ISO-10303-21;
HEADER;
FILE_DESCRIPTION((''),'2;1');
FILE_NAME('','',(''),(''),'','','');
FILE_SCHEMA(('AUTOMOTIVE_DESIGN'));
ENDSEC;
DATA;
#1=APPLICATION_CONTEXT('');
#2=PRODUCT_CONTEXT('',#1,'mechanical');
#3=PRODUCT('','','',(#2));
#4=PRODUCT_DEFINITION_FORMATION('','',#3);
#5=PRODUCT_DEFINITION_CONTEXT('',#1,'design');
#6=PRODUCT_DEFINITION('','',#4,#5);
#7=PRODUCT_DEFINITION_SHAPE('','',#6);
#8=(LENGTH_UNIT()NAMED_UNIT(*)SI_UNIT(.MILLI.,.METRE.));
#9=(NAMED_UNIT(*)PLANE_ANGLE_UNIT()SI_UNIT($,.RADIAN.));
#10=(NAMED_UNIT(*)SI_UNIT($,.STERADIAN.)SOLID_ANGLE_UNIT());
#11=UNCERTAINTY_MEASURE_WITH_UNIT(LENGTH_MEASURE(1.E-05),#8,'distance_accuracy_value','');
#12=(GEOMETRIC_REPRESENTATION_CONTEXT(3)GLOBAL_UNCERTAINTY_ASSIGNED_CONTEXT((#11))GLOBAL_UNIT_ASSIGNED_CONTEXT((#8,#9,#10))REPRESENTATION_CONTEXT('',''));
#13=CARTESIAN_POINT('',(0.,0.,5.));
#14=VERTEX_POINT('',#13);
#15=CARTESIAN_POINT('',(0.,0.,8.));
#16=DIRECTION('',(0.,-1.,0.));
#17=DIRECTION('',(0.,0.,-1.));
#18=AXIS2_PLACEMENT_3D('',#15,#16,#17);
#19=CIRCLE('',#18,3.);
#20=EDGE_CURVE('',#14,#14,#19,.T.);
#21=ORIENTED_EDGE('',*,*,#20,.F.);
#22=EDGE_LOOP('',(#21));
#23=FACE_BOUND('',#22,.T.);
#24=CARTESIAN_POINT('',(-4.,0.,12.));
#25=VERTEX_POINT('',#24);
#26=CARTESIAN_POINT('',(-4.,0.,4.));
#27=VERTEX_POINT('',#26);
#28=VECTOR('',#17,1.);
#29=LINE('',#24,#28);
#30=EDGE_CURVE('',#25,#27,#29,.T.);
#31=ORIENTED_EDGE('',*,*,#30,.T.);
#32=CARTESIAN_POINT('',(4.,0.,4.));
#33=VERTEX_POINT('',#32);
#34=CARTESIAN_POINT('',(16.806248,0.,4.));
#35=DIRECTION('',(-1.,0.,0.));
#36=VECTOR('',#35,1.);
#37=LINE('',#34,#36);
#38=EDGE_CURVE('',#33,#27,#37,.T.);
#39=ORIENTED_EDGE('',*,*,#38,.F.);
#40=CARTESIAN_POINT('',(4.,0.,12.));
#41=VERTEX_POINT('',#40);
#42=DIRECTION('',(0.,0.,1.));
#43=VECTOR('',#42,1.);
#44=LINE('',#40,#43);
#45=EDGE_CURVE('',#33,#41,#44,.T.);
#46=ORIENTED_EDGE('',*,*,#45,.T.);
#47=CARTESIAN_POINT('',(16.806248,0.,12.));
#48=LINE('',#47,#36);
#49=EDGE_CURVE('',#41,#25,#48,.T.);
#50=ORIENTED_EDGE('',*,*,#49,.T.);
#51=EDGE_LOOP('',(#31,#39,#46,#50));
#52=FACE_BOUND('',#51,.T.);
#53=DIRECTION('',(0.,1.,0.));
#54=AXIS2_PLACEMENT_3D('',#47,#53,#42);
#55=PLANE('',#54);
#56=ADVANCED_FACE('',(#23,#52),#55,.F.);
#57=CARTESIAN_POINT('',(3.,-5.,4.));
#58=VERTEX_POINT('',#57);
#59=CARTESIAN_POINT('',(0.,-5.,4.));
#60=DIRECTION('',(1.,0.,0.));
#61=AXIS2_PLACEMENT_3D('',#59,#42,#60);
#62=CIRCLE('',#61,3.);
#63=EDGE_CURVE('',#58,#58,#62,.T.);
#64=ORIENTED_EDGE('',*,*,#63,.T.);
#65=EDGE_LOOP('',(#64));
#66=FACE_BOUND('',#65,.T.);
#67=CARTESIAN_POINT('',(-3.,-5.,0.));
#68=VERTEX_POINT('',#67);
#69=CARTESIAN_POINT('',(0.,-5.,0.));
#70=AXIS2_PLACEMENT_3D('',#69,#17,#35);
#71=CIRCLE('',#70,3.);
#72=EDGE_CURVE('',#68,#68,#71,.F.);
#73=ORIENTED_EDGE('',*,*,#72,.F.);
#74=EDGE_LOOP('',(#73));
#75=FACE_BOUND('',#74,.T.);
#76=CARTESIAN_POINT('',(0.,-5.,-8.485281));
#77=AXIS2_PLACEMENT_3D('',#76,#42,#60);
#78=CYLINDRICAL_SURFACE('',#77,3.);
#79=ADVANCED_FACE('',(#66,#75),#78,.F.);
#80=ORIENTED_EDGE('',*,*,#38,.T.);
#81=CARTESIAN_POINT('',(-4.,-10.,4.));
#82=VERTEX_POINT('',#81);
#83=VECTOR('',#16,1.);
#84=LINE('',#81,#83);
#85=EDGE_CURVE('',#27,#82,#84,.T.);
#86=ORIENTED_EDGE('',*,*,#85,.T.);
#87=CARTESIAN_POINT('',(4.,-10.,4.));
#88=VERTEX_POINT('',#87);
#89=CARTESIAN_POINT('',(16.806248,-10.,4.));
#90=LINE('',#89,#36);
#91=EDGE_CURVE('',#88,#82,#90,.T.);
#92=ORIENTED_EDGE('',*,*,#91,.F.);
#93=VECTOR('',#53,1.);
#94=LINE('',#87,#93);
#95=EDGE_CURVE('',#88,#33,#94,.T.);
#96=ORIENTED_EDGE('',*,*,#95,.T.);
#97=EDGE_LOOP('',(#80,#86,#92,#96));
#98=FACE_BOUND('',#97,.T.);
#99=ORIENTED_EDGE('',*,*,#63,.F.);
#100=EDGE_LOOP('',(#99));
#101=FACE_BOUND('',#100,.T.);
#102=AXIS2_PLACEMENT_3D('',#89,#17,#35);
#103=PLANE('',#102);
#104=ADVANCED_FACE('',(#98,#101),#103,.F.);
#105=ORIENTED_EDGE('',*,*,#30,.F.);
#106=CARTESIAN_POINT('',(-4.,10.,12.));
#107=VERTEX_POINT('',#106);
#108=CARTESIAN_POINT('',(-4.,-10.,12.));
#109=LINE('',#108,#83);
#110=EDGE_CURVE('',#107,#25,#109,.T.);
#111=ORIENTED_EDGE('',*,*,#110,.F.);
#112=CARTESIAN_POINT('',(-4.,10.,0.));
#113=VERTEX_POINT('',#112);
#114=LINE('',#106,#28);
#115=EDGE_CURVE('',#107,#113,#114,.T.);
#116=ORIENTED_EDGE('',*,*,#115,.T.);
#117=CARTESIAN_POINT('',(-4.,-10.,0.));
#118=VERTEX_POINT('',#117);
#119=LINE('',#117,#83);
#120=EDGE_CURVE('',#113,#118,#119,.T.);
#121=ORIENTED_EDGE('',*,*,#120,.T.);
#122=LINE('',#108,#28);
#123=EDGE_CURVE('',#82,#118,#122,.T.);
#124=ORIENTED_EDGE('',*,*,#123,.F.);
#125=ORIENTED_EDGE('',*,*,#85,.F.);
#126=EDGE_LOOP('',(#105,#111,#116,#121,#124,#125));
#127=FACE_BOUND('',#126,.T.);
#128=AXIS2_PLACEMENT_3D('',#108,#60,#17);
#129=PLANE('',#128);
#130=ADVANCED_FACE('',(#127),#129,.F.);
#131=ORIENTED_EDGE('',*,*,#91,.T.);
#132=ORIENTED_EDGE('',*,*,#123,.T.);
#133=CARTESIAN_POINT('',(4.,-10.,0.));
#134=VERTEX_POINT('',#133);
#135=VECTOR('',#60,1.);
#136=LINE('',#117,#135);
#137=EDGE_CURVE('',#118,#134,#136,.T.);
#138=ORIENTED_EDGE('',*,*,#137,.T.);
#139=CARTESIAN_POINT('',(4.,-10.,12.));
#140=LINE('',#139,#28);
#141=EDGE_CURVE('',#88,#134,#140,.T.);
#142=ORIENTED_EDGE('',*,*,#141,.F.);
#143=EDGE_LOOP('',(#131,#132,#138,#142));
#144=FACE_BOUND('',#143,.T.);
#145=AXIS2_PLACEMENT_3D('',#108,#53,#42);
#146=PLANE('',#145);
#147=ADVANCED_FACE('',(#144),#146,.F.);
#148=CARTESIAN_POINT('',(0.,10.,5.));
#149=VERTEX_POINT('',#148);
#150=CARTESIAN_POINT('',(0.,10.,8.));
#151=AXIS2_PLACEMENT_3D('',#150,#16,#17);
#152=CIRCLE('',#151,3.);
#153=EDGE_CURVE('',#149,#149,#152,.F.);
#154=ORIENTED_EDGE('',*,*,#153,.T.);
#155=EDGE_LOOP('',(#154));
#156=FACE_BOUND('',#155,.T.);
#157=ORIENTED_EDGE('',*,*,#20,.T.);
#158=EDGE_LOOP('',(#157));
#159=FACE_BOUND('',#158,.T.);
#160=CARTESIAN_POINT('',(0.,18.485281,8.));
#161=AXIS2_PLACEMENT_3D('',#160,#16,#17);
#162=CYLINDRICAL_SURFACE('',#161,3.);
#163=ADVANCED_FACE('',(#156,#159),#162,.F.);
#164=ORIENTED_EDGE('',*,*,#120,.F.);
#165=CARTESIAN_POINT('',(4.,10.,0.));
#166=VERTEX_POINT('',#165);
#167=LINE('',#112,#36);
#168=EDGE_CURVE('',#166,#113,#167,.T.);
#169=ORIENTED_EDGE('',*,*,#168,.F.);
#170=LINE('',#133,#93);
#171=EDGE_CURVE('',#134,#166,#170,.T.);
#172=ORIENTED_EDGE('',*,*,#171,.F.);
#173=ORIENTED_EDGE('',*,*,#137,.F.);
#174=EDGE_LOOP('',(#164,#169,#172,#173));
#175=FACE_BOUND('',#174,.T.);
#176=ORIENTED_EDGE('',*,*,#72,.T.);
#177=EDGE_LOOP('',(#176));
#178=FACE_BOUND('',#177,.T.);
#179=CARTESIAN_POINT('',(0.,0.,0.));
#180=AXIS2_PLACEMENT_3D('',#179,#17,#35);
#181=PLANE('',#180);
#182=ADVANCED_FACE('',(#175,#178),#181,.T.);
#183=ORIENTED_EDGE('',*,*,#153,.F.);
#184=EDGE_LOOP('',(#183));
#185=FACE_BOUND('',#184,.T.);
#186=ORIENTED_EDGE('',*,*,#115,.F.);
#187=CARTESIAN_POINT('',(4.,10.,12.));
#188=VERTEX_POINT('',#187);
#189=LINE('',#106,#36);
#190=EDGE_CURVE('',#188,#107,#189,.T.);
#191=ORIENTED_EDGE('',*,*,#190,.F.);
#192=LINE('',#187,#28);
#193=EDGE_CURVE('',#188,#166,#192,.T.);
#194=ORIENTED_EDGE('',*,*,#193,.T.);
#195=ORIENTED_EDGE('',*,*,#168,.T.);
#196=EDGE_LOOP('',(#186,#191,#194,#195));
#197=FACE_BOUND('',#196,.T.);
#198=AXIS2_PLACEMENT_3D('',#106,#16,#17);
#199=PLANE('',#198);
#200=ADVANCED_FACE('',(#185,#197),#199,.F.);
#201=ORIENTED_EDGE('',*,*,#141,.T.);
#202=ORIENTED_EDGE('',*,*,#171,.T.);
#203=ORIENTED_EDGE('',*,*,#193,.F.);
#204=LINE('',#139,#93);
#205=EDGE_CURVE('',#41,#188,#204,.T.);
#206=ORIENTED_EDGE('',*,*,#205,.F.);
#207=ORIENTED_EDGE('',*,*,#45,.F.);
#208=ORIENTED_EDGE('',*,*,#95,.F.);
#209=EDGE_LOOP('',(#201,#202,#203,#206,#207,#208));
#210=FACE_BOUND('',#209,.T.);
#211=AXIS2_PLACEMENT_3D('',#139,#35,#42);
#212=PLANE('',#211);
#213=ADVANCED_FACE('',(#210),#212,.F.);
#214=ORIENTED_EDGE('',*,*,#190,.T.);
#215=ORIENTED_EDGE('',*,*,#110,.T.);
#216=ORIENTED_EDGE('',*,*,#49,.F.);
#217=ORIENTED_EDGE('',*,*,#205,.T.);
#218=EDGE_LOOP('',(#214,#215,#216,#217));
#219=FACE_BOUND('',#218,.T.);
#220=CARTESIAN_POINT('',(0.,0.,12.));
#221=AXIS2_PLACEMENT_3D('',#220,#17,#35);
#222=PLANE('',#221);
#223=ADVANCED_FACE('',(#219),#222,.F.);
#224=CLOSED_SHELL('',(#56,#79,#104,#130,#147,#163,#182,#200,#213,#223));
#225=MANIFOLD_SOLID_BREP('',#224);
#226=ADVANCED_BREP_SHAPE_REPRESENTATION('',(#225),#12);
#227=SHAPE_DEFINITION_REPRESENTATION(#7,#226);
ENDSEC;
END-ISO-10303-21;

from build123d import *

# Parameters (mm, degrees)
ESQUISSE1_W             = 8
ESQUISSE1_H             = 20
BOSS_EXTRU_1_DEPTH      = 12
ESQUISSE2_W             = 8
ESQUISSE2_H             = 10
ENL_V_MAT_EXTRU_1_DEPTH = 8
ESQUISSE3_R             = 3
ENL_V_MAT_EXTRU_2_DEPTH = 10
ESQUISSE4_R             = 3
ENL_V_MAT_EXTRU_3_DEPTH = 4


with BuildPart() as part:
    # Esquisse1 → Boss.-Extru.1 (new body)
    with BuildSketch(Plane.XY):
        Rectangle(ESQUISSE1_W, ESQUISSE1_H)
    extrude(amount=BOSS_EXTRU_1_DEPTH)

    # Esquisse2 → Enlèv. mat.-Extru.1 (cut)
    with BuildSketch(Plane.ZY.offset(4)):
        with Locations((8, -5)):
            Rectangle(ESQUISSE2_W, ESQUISSE2_H)
    extrude(amount=-ENL_V_MAT_EXTRU_1_DEPTH, mode=Mode.SUBTRACT)

    # Esquisse3 → Enlèv. mat.-Extru.2 (cut)
    with BuildSketch(Plane.XZ):
        with Locations(Location((0, 8, 0), (0, 0, 270))):
            Circle(ESQUISSE3_R)
    extrude(amount=-ENL_V_MAT_EXTRU_2_DEPTH, mode=Mode.SUBTRACT)

    # Esquisse4 → Enlèv. mat.-Extru.3 (cut)
    with BuildSketch(Plane.XY.offset(4)):
        with Locations((0, -5)):
            Circle(ESQUISSE4_R)
    extrude(amount=-ENL_V_MAT_EXTRU_3_DEPTH, mode=Mode.SUBTRACT)


solid = part.part
